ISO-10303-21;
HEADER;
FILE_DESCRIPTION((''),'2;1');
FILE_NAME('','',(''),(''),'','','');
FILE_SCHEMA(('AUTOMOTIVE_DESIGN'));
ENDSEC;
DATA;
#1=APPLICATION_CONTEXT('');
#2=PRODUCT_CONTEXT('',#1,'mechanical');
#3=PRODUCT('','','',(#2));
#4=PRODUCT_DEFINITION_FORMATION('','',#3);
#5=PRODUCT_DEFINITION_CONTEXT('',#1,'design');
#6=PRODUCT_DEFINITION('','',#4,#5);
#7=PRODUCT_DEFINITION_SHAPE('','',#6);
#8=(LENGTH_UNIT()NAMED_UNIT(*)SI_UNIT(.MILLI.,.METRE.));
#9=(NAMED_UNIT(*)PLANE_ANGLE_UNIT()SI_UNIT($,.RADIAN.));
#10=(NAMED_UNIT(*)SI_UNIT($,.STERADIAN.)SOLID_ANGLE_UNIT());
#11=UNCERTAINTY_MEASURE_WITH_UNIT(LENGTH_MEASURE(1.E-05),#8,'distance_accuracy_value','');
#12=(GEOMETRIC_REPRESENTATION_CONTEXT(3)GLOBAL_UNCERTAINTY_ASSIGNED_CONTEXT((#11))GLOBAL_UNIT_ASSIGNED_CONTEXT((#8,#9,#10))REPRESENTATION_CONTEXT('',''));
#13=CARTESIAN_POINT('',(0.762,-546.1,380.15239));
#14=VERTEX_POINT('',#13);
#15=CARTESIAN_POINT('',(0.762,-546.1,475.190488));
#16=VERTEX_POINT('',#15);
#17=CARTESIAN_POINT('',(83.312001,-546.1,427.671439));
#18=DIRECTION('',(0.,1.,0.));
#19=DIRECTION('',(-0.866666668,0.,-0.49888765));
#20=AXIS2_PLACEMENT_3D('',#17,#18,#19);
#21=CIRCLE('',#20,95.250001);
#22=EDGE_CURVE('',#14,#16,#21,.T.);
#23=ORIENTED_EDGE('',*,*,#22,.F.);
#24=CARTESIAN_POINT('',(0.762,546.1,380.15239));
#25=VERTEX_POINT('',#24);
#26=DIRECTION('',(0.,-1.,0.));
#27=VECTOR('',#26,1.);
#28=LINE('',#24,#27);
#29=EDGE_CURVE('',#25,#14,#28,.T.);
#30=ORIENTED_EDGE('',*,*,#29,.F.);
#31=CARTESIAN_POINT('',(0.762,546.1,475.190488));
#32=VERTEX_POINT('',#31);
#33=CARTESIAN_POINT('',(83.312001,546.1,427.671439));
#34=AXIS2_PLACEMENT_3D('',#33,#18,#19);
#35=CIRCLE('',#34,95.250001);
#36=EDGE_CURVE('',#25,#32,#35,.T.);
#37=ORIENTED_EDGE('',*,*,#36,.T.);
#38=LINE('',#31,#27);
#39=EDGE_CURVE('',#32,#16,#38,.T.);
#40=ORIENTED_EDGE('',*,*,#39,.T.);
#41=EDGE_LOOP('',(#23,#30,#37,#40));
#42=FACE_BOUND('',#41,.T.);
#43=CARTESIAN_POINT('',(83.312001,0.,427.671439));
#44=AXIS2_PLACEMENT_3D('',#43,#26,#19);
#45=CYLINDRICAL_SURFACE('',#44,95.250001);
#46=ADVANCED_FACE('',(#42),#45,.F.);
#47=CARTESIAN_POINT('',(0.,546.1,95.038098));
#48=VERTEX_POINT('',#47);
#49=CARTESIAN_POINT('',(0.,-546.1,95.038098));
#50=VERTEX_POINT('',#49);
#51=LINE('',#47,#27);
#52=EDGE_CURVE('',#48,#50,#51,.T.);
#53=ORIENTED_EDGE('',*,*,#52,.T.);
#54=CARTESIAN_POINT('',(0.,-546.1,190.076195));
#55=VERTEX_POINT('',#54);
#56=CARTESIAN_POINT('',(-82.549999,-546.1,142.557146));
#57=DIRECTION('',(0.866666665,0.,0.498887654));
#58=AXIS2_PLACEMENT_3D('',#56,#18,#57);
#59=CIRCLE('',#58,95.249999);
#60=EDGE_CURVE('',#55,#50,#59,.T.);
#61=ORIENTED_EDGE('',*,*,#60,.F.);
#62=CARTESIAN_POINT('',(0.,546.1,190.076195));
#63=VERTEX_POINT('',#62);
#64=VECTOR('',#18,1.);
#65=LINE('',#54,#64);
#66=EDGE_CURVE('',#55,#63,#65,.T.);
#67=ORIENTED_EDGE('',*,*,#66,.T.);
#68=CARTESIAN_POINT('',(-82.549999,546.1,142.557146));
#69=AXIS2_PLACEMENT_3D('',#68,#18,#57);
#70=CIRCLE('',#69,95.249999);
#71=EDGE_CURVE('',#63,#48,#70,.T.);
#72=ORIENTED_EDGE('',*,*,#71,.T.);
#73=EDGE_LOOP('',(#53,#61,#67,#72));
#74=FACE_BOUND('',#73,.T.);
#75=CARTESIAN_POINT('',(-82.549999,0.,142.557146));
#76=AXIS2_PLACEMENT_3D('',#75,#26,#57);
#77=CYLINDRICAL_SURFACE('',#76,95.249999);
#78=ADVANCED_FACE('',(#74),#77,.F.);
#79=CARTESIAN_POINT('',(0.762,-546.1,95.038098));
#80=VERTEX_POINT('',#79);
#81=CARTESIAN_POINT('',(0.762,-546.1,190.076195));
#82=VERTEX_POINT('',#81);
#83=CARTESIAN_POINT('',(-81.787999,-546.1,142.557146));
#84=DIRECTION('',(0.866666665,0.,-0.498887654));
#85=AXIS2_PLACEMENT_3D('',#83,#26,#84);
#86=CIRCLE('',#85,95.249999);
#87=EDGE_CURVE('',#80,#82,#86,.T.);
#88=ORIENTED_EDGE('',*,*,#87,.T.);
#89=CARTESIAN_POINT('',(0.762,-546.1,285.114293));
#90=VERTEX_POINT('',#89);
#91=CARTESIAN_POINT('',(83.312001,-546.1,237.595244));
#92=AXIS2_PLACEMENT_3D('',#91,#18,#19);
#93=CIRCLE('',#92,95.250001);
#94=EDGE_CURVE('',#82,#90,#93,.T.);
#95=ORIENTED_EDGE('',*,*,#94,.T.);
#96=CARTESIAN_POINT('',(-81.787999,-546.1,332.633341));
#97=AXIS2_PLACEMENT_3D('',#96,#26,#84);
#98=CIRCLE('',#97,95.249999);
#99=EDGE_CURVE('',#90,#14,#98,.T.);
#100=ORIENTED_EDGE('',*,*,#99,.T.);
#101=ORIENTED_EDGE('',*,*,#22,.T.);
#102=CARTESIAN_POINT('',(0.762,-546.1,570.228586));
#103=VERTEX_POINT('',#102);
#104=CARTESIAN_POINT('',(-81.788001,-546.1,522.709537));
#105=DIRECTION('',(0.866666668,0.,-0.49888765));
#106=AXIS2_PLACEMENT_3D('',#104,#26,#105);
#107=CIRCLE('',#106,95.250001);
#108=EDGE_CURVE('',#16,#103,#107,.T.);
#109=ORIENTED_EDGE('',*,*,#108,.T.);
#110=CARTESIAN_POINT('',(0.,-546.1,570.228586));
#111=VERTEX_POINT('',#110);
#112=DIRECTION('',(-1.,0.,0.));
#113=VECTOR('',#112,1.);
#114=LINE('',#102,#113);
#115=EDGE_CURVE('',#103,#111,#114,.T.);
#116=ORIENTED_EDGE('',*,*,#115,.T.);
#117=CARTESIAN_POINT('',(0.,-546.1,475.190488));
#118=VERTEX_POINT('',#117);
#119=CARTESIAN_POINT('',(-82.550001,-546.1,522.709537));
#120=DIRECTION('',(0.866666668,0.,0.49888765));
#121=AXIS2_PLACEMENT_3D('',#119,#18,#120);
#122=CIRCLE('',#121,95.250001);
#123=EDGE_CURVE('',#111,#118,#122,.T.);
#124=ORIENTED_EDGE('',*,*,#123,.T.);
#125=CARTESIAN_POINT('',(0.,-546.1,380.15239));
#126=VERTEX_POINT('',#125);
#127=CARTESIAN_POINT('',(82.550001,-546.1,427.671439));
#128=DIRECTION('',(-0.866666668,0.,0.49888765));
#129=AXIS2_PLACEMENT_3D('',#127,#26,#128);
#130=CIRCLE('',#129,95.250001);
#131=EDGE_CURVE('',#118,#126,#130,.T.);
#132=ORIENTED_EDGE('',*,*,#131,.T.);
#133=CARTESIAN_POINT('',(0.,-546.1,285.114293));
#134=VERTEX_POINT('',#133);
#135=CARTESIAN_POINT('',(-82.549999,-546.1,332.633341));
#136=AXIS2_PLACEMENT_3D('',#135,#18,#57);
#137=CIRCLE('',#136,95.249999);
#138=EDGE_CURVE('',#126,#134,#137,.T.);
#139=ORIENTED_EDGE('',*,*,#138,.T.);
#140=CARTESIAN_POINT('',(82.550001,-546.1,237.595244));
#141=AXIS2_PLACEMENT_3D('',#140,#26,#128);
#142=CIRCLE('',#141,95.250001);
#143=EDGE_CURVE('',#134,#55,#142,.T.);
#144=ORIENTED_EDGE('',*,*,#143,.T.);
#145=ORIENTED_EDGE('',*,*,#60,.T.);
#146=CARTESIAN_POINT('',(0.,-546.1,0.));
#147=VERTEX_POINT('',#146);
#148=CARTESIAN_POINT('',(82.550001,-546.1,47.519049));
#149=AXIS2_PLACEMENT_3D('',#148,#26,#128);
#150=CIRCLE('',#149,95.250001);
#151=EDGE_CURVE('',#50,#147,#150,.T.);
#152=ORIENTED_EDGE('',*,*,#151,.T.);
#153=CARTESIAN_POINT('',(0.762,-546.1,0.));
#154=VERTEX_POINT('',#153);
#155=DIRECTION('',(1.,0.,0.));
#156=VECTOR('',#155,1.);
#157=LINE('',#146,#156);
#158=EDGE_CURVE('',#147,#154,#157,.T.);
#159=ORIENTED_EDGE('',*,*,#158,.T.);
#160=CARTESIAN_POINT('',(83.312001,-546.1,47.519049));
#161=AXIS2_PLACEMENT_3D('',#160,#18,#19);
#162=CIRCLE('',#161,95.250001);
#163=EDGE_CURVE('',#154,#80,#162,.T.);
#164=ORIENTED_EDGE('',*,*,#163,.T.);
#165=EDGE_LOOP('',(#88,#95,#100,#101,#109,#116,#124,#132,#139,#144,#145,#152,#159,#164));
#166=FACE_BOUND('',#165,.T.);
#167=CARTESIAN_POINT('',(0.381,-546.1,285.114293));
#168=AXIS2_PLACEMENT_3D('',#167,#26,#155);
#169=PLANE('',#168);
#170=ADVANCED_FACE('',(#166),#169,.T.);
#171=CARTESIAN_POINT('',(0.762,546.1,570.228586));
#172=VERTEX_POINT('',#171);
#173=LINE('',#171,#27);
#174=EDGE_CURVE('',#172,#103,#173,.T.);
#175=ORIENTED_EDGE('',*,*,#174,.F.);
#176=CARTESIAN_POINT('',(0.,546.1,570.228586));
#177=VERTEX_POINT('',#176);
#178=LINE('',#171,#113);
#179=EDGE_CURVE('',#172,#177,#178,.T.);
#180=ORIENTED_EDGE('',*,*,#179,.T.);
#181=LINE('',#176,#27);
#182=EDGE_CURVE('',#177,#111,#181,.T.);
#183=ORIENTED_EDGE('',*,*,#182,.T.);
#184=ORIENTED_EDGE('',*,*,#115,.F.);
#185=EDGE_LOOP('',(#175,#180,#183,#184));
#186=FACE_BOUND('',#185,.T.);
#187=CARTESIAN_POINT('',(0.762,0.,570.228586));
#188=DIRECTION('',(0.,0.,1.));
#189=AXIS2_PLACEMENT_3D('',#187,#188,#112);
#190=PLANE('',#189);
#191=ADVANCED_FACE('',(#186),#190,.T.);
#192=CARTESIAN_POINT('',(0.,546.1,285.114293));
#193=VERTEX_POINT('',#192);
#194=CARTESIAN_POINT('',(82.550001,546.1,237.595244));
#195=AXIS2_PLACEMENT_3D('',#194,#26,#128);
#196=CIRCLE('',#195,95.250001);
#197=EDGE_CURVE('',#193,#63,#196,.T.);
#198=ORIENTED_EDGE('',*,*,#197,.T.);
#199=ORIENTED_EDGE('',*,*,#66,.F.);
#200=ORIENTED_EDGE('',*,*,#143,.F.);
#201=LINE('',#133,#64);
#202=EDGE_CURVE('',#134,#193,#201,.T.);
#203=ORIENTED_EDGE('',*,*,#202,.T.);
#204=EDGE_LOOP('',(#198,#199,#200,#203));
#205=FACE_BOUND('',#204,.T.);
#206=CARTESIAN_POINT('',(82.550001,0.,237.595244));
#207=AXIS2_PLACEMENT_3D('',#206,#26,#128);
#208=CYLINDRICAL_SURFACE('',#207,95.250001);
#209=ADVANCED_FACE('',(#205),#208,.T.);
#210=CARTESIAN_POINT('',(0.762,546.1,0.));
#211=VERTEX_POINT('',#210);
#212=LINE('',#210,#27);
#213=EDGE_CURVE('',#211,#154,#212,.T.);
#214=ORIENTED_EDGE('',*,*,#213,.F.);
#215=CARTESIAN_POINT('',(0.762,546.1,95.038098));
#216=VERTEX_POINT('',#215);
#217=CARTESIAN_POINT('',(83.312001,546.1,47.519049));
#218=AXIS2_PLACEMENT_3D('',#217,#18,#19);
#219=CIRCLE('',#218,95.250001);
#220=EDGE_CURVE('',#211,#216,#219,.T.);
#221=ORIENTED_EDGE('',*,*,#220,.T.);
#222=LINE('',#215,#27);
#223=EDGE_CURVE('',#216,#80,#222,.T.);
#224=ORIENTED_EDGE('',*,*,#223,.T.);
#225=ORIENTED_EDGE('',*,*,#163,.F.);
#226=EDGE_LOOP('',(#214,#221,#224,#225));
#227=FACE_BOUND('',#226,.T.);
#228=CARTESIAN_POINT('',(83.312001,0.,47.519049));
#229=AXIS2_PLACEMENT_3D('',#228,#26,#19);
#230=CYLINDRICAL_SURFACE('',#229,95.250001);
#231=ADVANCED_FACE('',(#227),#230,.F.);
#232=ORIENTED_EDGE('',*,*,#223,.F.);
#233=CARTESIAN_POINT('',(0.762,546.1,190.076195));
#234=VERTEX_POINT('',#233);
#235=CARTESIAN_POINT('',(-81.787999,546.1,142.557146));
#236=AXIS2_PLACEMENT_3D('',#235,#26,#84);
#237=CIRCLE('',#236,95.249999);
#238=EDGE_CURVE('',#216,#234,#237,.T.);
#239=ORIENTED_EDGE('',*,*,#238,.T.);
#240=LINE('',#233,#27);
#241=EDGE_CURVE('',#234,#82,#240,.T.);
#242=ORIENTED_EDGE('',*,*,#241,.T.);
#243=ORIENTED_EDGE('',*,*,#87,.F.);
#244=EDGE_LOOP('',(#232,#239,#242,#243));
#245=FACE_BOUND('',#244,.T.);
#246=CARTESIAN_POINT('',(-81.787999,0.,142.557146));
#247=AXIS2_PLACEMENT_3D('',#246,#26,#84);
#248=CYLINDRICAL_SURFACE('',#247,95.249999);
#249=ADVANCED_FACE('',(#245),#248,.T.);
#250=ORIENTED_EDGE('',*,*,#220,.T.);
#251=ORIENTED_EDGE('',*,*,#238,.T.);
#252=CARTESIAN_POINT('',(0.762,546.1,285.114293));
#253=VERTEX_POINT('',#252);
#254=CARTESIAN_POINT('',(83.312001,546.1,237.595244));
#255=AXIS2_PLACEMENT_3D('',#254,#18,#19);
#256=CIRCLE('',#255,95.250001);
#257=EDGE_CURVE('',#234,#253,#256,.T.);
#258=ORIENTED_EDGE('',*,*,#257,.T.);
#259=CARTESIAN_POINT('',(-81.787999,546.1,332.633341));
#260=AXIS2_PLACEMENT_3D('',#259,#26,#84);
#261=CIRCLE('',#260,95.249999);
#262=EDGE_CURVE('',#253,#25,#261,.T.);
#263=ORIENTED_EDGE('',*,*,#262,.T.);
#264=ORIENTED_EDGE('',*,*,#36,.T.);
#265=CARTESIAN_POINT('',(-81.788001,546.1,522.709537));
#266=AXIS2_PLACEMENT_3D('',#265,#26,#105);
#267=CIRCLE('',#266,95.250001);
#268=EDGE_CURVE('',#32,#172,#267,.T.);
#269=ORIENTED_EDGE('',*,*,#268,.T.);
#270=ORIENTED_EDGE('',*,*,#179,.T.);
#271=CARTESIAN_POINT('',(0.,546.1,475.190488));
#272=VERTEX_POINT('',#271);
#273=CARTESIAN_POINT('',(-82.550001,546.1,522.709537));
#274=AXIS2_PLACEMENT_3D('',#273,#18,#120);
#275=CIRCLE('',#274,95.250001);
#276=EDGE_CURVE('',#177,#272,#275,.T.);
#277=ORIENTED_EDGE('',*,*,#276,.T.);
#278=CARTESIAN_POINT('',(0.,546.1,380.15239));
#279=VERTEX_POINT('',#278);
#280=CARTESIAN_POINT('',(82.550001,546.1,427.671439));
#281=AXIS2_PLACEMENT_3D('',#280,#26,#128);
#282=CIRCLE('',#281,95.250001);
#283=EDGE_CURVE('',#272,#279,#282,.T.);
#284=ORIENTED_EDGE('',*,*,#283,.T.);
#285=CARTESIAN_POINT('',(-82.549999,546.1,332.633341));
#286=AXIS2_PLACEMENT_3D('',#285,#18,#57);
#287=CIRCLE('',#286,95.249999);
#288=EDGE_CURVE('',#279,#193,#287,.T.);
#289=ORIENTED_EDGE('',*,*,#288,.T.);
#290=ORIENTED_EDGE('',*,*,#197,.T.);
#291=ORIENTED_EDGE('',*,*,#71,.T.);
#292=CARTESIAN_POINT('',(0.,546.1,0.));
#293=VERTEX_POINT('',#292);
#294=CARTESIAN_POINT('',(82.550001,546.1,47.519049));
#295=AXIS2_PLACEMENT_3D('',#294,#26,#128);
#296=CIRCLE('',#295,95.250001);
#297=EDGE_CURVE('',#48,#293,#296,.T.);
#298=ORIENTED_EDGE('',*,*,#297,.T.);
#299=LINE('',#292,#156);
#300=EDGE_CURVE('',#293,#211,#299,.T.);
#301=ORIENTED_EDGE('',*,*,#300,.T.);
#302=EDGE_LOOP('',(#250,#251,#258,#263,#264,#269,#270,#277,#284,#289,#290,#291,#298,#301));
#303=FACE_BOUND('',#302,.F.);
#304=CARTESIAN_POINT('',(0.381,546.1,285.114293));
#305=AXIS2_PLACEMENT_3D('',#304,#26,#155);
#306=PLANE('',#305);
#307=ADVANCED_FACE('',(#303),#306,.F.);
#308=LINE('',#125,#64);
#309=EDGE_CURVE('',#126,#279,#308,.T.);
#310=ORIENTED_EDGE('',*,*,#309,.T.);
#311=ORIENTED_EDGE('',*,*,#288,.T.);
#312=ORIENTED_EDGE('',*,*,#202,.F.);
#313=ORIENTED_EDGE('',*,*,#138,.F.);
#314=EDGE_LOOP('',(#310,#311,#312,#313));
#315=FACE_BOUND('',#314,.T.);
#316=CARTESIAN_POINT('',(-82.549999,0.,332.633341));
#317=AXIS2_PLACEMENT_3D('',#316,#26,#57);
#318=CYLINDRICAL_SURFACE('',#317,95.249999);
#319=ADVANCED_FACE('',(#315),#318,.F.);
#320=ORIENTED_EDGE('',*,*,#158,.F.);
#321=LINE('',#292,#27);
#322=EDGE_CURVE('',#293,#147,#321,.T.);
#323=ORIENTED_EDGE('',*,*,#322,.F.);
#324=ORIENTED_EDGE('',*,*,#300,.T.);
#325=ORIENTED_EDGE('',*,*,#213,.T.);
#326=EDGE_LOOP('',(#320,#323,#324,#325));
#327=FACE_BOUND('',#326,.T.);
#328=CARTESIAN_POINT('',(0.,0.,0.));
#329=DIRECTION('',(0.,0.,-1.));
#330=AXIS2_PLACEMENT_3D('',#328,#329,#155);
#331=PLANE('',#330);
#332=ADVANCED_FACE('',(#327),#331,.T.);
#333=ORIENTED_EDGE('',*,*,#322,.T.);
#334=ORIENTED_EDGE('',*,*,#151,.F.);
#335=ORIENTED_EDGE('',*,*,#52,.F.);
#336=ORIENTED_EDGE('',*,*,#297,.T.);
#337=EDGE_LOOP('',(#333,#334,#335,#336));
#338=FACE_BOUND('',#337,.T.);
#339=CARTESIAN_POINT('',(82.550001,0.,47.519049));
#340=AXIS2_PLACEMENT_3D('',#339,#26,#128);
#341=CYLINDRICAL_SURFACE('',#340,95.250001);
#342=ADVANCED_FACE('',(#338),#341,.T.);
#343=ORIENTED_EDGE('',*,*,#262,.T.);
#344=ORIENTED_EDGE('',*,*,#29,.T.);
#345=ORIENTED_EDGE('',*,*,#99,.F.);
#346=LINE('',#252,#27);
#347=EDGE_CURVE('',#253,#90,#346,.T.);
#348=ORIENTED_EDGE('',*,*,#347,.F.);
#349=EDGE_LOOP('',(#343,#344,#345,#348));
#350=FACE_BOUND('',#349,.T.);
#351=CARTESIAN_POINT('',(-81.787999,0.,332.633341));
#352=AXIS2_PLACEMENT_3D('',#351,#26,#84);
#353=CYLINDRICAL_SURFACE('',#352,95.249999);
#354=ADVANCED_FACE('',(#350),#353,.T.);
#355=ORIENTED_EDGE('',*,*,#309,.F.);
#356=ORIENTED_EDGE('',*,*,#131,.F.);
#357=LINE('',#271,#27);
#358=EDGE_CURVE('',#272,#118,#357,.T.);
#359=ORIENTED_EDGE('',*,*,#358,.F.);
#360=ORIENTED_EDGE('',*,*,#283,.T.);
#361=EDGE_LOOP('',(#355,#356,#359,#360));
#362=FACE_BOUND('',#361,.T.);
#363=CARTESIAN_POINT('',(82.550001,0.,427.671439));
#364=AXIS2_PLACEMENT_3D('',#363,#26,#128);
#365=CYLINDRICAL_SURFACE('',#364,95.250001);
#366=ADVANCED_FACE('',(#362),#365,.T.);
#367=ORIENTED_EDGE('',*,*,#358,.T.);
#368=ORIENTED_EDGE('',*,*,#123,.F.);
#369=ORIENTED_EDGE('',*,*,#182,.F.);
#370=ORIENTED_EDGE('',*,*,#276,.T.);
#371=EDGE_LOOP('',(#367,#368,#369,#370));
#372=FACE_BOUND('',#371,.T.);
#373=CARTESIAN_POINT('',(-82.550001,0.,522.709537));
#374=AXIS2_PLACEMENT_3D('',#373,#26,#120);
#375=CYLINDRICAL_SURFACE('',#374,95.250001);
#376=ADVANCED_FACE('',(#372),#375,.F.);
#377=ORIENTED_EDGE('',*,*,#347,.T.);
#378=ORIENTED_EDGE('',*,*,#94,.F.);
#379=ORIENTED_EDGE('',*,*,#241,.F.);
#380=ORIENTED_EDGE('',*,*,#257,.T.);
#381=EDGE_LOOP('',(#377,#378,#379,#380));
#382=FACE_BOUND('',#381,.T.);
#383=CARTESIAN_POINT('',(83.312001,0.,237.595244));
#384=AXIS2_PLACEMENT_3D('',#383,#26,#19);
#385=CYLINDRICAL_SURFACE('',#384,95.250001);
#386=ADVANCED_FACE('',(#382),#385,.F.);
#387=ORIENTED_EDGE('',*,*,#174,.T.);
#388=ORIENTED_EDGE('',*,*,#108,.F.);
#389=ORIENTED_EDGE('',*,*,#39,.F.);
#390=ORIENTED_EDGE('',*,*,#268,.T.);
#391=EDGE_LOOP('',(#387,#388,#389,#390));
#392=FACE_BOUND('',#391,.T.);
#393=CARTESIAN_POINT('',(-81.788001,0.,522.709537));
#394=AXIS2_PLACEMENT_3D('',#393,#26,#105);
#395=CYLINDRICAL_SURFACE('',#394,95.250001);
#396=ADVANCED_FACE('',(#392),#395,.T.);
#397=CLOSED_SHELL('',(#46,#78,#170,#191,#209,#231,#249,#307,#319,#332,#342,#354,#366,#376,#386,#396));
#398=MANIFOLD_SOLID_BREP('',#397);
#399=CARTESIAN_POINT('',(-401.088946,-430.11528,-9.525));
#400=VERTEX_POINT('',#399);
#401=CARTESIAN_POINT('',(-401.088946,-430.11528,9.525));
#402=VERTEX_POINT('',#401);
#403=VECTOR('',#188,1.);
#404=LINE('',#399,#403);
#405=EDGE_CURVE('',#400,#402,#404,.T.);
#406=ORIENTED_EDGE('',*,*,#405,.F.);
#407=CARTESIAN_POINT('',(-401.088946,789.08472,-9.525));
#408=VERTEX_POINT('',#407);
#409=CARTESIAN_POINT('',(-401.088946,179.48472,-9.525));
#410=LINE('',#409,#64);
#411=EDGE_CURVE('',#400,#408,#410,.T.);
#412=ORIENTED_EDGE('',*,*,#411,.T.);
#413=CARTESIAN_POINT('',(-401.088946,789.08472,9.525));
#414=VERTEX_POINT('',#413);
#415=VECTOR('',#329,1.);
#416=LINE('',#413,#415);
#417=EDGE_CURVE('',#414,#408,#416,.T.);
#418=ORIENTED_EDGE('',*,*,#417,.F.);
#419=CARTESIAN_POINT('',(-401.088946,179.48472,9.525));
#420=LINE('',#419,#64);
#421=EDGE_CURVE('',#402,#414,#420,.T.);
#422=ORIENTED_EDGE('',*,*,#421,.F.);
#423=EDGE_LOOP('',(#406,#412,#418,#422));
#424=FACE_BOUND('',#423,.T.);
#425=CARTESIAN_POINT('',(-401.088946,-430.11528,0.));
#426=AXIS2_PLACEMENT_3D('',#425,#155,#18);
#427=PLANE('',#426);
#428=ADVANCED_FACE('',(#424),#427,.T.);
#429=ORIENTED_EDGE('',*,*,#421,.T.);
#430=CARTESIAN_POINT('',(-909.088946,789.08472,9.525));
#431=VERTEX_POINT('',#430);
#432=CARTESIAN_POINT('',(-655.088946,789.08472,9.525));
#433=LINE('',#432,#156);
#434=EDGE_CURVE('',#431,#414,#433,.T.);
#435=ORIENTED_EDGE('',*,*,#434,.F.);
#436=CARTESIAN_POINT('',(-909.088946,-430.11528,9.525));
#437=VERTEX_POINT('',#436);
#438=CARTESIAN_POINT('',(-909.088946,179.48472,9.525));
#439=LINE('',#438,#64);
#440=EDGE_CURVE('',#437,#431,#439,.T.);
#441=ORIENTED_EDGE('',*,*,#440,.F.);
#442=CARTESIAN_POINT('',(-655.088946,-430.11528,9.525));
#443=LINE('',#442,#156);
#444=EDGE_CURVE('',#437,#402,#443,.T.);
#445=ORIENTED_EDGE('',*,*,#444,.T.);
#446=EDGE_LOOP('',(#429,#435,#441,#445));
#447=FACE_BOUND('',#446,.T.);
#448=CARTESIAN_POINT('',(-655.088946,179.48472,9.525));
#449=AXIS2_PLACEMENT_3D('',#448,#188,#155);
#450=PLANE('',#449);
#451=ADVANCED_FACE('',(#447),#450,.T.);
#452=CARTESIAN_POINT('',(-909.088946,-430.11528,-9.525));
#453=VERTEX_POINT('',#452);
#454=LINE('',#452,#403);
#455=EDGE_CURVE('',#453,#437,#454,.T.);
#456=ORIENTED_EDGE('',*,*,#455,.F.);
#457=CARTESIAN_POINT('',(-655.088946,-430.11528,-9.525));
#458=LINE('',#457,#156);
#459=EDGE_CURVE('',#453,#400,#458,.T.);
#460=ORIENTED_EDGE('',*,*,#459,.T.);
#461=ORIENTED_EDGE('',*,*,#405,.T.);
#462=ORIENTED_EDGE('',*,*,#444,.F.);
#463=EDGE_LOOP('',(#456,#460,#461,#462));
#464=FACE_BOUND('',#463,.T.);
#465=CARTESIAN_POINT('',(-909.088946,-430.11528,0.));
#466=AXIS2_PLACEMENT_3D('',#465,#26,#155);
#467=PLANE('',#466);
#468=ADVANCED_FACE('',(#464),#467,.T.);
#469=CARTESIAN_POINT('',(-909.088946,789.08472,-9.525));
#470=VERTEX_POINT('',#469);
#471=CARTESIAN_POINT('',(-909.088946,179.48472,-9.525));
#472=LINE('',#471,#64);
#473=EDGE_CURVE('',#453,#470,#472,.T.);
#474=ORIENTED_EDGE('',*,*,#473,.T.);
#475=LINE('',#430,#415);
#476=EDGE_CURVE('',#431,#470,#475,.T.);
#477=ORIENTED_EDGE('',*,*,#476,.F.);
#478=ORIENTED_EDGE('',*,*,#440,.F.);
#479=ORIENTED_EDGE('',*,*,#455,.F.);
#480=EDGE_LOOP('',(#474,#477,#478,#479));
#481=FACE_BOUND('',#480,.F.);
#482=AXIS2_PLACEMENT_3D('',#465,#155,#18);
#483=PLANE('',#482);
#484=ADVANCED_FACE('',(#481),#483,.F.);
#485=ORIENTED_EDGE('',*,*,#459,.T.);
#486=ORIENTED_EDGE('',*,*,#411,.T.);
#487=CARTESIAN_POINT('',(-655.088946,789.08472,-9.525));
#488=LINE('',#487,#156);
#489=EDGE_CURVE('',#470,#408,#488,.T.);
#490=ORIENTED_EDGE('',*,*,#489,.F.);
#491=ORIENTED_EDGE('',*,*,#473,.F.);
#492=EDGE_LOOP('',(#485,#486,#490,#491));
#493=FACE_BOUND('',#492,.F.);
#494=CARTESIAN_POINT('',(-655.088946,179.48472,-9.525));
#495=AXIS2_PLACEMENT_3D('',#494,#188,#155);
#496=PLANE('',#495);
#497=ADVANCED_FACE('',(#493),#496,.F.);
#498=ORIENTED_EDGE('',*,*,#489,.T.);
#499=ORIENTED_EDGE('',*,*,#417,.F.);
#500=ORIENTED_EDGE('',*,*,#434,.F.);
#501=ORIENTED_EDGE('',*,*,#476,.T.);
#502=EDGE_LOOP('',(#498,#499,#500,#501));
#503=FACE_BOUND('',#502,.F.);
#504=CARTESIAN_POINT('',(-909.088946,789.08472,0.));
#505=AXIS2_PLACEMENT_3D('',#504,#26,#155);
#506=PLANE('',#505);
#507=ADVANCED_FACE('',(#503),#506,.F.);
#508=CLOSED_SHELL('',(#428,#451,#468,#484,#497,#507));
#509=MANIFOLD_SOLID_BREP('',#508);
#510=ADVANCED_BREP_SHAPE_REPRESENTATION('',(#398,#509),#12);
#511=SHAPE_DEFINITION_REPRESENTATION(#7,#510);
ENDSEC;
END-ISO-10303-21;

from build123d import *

# Parameters (mm, degrees)
F1_DEPTH = 546.1
F2_W     = 508
F2_H     = 1219.2
F3_DEPTH = 9.525


with BuildPart() as f1:
    # F0 (on Front) → F1 (new body, symmetric)
    with BuildSketch(Plane.XZ):
        with BuildLine():
            ThreePointArc((0, 190.076195), (12.7, 142.557146), (0, 95.038098))
            ThreePointArc((0, 95.038098), (-12.7, 47.519049), (0, 0))
            Line((0, 0), (0.762, 0))
            ThreePointArc((0.762, 0), (-11.938, 47.519049), (0.762, 95.038098))
            ThreePointArc((0.762, 95.038098), (13.462, 142.557146), (0.762, 190.076195))
            ThreePointArc((0.762, 190.076195), (-11.938, 237.595244), (0.762, 285.114293))
            ThreePointArc((0.762, 285.114293), (13.462, 332.633342), (0.762, 380.15239))
            ThreePointArc((0.762, 380.15239), (-11.938, 427.671439), (0.762, 475.190488))
            ThreePointArc((0.762, 475.190488), (13.462, 522.709537), (0.762, 570.228586))
            Line((0.762, 570.228586), (0, 570.228586))
            ThreePointArc((0, 570.228586), (12.7, 522.709537), (0, 475.190488))
            ThreePointArc((0, 475.190488), (-12.7, 427.671439), (0, 380.15239))
            ThreePointArc((0, 380.15239), (12.7, 332.633342), (0, 285.114293))
            ThreePointArc((0, 285.114293), (-12.7, 237.595244), (0, 190.076195))
        make_face()
    extrude(amount=F1_DEPTH, both=True)


with BuildPart() as f3:
    # F2 (on Top) → F3 (new body, symmetric)
    with BuildSketch(Plane.XY):
        with Locations((-655.088946, 179.48472)):
            Rectangle(F2_W, F2_H)
    extrude(amount=F3_DEPTH, both=True)


solid = Compound([f1.part, f3.part])
